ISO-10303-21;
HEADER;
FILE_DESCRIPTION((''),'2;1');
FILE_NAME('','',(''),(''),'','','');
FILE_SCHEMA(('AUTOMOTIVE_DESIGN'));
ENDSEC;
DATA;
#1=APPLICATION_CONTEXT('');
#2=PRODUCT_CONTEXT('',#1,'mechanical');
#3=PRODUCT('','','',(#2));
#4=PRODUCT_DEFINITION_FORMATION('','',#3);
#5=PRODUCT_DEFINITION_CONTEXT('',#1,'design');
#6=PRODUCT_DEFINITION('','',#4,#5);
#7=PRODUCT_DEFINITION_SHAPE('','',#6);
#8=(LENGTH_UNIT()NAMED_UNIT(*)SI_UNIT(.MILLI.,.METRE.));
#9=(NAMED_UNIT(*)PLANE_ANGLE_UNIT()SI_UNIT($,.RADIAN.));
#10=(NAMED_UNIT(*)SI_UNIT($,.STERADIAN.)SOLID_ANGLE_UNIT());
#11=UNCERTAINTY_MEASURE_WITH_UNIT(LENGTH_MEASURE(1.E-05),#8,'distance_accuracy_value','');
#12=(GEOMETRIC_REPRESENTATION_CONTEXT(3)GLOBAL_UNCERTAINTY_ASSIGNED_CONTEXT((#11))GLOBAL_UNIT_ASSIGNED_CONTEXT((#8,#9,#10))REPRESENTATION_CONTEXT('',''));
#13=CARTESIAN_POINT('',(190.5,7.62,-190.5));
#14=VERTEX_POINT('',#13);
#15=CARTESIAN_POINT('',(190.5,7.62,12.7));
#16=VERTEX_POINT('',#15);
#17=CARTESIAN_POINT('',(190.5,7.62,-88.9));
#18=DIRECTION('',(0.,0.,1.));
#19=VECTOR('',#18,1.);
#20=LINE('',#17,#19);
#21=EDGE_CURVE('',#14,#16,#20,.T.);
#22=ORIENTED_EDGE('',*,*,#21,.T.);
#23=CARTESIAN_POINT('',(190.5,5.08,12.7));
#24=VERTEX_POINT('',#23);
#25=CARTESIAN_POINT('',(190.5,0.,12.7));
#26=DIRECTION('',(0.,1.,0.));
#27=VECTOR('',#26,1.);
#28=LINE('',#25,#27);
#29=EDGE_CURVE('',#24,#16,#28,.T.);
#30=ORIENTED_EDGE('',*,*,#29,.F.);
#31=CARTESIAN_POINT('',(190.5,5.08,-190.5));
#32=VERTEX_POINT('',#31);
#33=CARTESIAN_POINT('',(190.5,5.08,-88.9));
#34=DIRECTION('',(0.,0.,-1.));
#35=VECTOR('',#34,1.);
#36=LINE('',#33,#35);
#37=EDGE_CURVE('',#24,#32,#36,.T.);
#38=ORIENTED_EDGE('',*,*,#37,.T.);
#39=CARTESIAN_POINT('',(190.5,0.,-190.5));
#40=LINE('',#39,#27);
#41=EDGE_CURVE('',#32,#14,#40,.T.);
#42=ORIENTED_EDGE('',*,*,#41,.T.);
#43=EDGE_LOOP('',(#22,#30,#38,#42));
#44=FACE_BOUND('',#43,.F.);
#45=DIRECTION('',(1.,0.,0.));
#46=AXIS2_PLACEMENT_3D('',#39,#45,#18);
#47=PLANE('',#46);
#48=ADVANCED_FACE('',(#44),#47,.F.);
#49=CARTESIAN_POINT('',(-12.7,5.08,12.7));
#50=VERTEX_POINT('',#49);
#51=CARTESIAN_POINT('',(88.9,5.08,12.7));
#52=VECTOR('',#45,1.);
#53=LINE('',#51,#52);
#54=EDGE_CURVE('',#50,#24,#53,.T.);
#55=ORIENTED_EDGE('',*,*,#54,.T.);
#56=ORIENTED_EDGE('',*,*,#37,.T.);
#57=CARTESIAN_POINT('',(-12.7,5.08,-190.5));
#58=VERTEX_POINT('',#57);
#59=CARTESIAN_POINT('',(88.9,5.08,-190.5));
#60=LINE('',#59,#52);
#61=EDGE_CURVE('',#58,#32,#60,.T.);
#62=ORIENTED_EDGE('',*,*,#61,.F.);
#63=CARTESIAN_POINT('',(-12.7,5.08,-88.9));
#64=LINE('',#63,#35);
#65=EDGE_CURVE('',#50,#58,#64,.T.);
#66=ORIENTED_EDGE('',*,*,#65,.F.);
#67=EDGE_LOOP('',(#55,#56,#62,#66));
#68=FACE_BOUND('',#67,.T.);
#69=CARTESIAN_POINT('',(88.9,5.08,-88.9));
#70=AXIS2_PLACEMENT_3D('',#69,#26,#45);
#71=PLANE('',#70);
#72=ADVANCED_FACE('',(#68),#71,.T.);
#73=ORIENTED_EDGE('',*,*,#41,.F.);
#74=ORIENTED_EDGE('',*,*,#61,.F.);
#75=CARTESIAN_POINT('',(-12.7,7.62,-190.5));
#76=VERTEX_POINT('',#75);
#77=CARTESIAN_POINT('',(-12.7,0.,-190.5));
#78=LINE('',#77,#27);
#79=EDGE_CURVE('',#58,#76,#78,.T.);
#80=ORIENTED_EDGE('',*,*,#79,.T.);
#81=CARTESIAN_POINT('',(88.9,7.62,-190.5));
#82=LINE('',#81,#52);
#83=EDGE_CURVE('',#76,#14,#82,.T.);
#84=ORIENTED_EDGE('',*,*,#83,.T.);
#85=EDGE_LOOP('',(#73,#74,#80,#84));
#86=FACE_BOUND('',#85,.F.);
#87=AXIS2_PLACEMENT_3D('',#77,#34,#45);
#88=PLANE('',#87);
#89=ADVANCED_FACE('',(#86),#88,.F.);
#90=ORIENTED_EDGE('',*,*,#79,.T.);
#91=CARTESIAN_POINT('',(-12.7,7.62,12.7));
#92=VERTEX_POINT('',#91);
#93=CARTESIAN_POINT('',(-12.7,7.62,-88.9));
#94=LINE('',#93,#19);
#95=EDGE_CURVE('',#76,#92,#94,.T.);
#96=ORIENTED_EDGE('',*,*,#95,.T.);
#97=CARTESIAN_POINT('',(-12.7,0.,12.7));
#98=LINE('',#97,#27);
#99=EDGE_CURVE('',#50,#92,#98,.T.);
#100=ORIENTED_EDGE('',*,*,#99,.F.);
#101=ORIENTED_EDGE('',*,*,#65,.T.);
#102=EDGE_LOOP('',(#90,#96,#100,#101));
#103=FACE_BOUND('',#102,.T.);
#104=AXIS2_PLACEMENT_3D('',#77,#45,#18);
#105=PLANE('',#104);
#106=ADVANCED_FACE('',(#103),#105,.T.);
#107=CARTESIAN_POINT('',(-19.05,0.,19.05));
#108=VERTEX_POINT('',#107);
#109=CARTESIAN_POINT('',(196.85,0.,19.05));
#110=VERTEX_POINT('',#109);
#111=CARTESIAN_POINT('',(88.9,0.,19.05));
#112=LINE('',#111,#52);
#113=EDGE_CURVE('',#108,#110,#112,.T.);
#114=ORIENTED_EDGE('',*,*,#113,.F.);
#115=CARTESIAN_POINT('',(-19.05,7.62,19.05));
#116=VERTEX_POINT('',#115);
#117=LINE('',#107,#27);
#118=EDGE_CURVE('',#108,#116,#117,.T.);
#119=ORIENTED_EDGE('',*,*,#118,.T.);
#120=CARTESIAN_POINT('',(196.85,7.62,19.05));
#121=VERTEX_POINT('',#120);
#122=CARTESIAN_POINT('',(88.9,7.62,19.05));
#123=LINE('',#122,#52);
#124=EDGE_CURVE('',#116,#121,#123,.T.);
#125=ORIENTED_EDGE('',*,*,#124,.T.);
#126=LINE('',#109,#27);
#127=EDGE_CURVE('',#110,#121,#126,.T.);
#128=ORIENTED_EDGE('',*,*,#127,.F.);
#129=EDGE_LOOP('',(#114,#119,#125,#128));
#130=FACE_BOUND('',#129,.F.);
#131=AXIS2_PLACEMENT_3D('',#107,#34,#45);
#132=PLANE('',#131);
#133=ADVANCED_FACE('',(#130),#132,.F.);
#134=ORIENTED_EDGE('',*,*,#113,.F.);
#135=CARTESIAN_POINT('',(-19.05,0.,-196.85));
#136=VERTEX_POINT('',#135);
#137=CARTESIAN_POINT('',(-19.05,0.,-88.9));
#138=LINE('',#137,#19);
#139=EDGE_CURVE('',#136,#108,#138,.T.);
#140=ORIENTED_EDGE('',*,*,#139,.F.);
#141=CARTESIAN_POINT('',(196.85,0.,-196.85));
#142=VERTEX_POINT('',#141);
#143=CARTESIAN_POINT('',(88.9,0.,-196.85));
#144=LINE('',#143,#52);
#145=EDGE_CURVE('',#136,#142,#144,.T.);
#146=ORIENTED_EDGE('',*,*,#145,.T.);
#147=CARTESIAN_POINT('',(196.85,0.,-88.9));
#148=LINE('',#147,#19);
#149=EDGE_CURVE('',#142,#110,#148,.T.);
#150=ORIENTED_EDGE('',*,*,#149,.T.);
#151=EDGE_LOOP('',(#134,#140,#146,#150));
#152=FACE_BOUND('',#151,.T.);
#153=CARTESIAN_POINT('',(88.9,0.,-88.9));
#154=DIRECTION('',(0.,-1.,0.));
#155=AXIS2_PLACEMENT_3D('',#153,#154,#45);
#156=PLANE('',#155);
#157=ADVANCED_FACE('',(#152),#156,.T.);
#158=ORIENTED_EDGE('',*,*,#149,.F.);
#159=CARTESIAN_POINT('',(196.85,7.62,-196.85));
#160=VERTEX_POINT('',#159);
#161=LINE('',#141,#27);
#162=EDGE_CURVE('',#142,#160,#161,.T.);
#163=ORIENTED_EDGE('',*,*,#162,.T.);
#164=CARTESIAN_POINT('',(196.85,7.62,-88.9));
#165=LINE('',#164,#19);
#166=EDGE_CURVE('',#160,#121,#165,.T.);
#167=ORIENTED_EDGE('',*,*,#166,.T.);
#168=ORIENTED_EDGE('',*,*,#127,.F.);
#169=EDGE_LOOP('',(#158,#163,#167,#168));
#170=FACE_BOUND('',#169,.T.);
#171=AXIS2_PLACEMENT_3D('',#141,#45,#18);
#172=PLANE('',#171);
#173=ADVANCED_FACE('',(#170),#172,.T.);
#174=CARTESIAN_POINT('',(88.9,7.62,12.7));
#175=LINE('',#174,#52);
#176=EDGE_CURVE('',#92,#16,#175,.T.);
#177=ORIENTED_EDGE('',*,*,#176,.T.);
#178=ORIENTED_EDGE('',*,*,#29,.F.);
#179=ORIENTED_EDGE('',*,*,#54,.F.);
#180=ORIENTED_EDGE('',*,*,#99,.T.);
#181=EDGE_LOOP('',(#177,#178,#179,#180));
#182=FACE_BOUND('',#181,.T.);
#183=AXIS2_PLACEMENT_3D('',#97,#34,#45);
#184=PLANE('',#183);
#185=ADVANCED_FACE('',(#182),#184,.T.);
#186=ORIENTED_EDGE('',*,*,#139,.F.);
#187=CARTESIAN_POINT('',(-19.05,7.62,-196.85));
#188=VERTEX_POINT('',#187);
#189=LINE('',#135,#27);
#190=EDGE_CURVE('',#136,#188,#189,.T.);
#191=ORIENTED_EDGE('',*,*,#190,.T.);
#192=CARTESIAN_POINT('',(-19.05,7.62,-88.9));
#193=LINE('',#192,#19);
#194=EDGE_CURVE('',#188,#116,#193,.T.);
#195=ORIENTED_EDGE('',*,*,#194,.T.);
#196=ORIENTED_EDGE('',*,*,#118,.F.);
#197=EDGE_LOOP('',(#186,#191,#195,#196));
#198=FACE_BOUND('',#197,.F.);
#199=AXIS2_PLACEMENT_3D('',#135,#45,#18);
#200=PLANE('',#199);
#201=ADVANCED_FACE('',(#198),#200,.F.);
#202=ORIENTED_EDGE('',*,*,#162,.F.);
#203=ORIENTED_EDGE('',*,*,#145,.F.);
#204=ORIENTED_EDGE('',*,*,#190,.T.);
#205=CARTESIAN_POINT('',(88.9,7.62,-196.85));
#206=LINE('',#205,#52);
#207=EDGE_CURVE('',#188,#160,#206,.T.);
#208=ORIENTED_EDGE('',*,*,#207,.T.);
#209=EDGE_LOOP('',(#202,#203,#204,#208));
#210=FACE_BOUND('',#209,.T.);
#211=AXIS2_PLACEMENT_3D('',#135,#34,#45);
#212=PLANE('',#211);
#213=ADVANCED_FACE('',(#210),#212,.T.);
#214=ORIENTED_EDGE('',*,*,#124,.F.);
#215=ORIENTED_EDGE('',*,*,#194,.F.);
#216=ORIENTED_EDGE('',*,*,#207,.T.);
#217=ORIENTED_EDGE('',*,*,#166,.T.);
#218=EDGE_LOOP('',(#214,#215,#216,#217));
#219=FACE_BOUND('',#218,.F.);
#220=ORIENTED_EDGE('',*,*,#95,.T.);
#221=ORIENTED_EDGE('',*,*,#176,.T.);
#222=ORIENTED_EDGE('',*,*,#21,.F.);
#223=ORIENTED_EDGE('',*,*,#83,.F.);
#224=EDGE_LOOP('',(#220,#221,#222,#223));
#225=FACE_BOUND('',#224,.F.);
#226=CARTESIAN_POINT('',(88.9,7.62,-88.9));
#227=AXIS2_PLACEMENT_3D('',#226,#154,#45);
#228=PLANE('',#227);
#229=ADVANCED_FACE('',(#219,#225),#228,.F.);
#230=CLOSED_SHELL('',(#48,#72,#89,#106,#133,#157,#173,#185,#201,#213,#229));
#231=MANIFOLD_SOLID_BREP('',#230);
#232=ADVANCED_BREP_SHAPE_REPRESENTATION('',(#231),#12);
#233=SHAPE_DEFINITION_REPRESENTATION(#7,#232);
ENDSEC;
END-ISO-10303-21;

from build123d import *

# Parameters (mm, degrees)
SKETCH1_W           = 203.2
SKETCH1_H           = 203.2
BOSS_EXTRUDE1_DEPTH = 5.08
SKETCH2_W           = 215.9
SKETCH2_H           = 215.9
SKETCH2_W_2         = 203.2
SKETCH2_H_2         = 203.2
BOSS_EXTRUDE2_DEPTH = 7.62


with BuildPart() as part:
    # Sketch1 → Boss-Extrude1 (new body)
    with BuildSketch(Plane(origin=(0, 0, 0), x_dir=(1, 0, 0), z_dir=(0, 1, 0))):
        with Locations((88.9, 88.9)):
            Rectangle(SKETCH1_W, SKETCH1_H)
    extrude(amount=BOSS_EXTRUDE1_DEPTH)

    # Sketch2 → Boss-Extrude2 (add)
    with BuildSketch(Plane.XZ):
        with Locations((88.9, -88.9)):
            Rectangle(SKETCH2_W, SKETCH2_H)
        with Locations((88.9, -88.9)):
            Rectangle(SKETCH2_W_2, SKETCH2_H_2, mode=Mode.SUBTRACT)
    extrude(amount=-BOSS_EXTRUDE2_DEPTH)


solid = part.part
